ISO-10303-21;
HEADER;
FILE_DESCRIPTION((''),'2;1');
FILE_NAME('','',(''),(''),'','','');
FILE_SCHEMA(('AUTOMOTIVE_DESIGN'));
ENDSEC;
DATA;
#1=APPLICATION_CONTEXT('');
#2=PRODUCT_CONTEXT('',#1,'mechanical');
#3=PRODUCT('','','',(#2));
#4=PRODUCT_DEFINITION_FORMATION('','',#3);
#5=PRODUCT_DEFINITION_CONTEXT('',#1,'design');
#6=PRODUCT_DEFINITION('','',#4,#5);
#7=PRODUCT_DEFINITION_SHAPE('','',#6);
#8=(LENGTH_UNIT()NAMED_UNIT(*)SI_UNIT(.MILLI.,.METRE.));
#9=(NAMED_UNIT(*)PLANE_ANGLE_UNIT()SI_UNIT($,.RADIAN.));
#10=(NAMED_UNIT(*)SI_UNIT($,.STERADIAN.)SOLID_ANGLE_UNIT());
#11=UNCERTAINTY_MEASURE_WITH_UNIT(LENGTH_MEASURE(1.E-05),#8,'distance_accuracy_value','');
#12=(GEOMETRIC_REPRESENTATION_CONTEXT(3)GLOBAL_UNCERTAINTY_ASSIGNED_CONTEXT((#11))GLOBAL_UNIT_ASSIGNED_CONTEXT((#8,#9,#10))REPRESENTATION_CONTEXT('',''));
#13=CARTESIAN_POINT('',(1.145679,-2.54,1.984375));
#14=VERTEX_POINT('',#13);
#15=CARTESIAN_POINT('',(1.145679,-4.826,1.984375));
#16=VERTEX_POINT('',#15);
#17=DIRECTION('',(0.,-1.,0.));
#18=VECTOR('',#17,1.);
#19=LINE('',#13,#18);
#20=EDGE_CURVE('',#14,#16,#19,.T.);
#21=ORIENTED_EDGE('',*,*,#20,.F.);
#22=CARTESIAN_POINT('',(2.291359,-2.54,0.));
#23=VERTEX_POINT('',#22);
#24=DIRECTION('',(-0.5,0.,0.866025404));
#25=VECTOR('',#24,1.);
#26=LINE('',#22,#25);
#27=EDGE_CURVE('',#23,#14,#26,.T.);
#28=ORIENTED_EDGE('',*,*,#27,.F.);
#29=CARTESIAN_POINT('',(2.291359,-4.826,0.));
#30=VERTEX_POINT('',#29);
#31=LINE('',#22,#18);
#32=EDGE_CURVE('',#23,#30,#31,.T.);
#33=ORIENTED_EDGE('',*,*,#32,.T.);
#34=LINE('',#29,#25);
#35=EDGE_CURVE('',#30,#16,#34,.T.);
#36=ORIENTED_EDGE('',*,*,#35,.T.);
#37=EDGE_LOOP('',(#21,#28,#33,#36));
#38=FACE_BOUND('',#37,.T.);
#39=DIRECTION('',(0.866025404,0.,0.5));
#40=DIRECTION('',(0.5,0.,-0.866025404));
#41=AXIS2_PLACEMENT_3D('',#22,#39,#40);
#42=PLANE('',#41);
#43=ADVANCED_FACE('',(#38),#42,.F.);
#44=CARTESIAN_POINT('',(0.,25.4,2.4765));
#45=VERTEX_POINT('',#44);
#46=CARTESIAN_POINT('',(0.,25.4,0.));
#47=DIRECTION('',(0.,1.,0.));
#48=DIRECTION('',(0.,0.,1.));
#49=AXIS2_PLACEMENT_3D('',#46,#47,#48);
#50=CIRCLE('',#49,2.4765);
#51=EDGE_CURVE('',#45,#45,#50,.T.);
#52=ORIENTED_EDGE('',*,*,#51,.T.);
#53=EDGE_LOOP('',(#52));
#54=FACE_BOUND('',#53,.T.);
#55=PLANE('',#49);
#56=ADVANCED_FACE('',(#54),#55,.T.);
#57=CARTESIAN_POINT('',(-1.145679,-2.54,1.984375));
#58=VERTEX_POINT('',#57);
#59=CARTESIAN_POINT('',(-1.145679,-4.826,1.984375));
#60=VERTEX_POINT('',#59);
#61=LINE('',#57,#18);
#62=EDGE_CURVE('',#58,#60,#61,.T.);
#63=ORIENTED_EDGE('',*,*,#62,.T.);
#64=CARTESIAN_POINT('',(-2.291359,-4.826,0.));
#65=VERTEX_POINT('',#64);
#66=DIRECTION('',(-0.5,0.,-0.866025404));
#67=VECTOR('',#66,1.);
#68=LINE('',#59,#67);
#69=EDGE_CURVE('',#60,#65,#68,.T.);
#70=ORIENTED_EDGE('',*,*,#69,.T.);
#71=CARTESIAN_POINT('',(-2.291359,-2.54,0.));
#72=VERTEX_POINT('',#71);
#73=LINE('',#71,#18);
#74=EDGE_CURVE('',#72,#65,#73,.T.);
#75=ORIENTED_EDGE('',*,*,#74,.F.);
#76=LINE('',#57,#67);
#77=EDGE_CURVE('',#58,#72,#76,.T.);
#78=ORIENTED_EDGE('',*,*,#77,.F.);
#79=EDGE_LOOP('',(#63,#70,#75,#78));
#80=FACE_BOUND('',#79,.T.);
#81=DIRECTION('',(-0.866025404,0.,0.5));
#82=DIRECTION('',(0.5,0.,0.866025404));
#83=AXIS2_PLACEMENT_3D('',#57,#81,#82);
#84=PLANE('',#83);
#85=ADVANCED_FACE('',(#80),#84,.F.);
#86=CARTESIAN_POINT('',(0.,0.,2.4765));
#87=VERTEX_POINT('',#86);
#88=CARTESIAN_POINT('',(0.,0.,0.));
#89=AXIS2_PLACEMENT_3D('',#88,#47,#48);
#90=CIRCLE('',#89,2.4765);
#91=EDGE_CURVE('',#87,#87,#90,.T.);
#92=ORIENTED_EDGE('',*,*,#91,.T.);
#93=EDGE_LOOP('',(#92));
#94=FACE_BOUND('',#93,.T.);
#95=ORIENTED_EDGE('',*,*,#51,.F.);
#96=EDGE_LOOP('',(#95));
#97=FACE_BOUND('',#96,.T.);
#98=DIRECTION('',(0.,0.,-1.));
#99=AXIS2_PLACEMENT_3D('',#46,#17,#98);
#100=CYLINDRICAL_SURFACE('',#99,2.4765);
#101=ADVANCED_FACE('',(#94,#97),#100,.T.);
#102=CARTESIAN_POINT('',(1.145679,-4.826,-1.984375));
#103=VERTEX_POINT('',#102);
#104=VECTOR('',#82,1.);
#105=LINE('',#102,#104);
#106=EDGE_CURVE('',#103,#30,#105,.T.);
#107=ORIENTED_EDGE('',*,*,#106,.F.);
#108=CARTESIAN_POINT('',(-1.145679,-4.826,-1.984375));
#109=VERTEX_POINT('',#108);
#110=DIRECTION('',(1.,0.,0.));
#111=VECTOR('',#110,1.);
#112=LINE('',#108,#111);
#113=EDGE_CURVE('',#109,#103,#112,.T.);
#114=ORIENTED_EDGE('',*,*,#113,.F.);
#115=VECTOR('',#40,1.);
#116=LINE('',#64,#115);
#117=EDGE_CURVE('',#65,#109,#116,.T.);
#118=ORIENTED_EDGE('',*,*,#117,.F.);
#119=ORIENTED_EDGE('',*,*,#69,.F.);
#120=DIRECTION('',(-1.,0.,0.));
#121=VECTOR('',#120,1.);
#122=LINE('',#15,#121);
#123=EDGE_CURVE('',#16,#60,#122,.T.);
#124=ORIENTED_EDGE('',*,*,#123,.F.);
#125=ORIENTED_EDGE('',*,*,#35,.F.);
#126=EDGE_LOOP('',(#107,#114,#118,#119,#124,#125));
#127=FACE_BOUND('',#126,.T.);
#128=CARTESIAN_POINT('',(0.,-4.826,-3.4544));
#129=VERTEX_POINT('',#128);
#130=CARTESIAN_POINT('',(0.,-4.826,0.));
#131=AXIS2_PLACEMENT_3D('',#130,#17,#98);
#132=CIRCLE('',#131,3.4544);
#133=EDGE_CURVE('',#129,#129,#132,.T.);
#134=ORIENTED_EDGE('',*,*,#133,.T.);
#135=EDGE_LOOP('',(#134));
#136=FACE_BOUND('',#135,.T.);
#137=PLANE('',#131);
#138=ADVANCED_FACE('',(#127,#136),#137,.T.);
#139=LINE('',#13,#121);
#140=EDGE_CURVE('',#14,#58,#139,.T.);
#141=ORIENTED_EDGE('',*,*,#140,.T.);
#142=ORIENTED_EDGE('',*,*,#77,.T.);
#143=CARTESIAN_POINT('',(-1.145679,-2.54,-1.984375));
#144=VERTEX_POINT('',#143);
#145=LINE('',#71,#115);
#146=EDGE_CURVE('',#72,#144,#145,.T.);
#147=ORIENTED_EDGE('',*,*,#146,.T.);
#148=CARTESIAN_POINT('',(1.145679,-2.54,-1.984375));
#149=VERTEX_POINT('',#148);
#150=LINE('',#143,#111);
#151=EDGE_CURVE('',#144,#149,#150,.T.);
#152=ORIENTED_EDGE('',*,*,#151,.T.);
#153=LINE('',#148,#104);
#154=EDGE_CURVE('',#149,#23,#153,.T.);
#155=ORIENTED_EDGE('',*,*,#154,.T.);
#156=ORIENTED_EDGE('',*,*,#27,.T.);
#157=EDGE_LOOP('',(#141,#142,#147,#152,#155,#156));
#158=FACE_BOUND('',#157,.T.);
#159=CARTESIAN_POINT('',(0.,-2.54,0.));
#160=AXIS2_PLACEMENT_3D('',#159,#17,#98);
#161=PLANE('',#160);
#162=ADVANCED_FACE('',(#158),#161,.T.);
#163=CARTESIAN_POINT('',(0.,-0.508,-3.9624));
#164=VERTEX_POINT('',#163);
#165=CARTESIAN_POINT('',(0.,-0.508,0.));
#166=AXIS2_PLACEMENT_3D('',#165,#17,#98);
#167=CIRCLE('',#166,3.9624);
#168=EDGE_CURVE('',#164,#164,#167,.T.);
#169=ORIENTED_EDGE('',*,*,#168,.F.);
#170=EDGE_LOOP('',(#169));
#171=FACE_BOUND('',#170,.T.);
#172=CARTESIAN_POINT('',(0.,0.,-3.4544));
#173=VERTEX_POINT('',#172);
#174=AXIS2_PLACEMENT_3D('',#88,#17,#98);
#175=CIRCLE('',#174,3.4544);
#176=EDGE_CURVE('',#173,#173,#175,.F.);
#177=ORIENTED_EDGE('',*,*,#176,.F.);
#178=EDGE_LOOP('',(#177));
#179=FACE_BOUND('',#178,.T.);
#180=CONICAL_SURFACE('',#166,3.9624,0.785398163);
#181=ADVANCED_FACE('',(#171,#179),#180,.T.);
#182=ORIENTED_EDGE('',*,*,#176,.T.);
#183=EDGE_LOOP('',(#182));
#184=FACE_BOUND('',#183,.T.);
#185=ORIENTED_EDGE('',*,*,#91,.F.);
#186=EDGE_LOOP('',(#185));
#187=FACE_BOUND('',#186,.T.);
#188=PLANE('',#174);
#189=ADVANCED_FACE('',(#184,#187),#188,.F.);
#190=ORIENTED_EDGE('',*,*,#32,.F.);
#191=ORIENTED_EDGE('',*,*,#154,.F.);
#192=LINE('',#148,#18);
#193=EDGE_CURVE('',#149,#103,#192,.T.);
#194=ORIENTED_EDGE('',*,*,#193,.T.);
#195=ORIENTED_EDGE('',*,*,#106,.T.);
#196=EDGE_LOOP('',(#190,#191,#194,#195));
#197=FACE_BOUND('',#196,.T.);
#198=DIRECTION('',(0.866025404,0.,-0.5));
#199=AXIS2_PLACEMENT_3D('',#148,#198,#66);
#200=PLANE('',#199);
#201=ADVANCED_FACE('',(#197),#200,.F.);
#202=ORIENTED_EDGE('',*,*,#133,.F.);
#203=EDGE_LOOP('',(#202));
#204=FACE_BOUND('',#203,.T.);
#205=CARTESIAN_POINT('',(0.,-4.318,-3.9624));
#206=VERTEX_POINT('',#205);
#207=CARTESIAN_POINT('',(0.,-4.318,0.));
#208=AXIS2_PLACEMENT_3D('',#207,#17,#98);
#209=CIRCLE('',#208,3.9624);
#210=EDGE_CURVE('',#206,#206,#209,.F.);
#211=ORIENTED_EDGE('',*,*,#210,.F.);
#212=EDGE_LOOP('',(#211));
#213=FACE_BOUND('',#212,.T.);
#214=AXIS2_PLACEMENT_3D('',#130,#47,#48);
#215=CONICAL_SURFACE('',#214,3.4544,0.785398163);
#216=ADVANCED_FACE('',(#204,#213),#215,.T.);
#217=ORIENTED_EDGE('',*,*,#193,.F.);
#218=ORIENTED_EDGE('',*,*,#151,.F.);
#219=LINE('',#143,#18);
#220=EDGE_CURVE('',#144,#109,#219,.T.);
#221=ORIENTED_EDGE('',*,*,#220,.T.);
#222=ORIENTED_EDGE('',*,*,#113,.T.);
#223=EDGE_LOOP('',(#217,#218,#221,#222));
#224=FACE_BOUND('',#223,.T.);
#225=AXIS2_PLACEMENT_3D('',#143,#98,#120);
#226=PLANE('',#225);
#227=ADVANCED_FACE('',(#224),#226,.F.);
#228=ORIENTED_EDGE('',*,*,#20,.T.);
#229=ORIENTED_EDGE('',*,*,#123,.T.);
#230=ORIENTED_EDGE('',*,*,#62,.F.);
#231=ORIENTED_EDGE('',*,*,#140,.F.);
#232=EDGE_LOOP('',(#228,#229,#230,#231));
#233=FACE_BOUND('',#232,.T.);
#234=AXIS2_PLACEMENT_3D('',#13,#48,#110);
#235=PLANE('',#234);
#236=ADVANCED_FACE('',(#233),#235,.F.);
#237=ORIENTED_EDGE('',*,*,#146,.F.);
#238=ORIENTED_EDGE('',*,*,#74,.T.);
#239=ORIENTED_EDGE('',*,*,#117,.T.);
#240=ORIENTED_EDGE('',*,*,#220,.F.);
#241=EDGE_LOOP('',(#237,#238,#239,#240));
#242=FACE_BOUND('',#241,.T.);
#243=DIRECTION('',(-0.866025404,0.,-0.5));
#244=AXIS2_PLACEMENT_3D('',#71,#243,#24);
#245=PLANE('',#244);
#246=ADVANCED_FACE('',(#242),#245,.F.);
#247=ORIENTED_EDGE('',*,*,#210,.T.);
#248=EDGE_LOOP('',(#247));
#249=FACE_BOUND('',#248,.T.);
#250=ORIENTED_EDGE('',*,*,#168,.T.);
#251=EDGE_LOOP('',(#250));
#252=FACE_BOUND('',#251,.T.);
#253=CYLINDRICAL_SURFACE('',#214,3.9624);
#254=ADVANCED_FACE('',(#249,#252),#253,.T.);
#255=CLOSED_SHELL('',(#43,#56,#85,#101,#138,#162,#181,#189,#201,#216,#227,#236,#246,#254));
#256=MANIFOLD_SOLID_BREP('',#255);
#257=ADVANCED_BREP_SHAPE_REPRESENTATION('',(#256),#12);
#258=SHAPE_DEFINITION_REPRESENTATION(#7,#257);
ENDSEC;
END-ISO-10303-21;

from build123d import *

# Parameters (mm, degrees)
SKETCH1_R           = 2.4765
BOSS_EXTRUDE1_DEPTH = 25.4
SKETCH2_R           = 3.9624
BOSS_EXTRUDE2_DEPTH = 4.826
CUT_EXTRUDE1_DEPTH  = 2.286
CHAMFER1_SIZE       = 0.508


with BuildPart() as part:
    # Sketch1 → Boss-Extrude1 (new body)
    with BuildSketch(Plane(origin=(0, 0, 0), x_dir=(1, 0, 0), z_dir=(0, 1, 0))):
        with Locations(Location((0, 0, 0), (0, 0, 270))):
            Circle(SKETCH1_R)
    extrude(amount=BOSS_EXTRUDE1_DEPTH)

    # Sketch2 → Boss-Extrude2 (add)
    with BuildSketch(Plane.XZ):
        with Locations(Location((0, 0, 0), (0, 0, 270))):
            Circle(SKETCH2_R)
    extrude(amount=BOSS_EXTRUDE2_DEPTH)

    # Sketch3 → Cut-Extrude1 (cut)
    with BuildSketch(Plane.XZ.offset(4.826)):
        Polygon((2.291358881, 0), (1.14567944, 1.984375), (-1.14567944, 1.984375), (-2.291358881, 0), (-1.14567944, -1.984375), (1.14567944, -1.984375), align=None)
    extrude(amount=-CUT_EXTRUDE1_DEPTH, mode=Mode.SUBTRACT)

    # Chamfer1
    chamfer1_edges = [part.edges().sort_by_distance(p)[0] for p in [
        (0, 0, 3.9624),
        (0, -4.826, 3.9624),
    ]]
    chamfer(chamfer1_edges, length=CHAMFER1_SIZE)


solid = part.part
